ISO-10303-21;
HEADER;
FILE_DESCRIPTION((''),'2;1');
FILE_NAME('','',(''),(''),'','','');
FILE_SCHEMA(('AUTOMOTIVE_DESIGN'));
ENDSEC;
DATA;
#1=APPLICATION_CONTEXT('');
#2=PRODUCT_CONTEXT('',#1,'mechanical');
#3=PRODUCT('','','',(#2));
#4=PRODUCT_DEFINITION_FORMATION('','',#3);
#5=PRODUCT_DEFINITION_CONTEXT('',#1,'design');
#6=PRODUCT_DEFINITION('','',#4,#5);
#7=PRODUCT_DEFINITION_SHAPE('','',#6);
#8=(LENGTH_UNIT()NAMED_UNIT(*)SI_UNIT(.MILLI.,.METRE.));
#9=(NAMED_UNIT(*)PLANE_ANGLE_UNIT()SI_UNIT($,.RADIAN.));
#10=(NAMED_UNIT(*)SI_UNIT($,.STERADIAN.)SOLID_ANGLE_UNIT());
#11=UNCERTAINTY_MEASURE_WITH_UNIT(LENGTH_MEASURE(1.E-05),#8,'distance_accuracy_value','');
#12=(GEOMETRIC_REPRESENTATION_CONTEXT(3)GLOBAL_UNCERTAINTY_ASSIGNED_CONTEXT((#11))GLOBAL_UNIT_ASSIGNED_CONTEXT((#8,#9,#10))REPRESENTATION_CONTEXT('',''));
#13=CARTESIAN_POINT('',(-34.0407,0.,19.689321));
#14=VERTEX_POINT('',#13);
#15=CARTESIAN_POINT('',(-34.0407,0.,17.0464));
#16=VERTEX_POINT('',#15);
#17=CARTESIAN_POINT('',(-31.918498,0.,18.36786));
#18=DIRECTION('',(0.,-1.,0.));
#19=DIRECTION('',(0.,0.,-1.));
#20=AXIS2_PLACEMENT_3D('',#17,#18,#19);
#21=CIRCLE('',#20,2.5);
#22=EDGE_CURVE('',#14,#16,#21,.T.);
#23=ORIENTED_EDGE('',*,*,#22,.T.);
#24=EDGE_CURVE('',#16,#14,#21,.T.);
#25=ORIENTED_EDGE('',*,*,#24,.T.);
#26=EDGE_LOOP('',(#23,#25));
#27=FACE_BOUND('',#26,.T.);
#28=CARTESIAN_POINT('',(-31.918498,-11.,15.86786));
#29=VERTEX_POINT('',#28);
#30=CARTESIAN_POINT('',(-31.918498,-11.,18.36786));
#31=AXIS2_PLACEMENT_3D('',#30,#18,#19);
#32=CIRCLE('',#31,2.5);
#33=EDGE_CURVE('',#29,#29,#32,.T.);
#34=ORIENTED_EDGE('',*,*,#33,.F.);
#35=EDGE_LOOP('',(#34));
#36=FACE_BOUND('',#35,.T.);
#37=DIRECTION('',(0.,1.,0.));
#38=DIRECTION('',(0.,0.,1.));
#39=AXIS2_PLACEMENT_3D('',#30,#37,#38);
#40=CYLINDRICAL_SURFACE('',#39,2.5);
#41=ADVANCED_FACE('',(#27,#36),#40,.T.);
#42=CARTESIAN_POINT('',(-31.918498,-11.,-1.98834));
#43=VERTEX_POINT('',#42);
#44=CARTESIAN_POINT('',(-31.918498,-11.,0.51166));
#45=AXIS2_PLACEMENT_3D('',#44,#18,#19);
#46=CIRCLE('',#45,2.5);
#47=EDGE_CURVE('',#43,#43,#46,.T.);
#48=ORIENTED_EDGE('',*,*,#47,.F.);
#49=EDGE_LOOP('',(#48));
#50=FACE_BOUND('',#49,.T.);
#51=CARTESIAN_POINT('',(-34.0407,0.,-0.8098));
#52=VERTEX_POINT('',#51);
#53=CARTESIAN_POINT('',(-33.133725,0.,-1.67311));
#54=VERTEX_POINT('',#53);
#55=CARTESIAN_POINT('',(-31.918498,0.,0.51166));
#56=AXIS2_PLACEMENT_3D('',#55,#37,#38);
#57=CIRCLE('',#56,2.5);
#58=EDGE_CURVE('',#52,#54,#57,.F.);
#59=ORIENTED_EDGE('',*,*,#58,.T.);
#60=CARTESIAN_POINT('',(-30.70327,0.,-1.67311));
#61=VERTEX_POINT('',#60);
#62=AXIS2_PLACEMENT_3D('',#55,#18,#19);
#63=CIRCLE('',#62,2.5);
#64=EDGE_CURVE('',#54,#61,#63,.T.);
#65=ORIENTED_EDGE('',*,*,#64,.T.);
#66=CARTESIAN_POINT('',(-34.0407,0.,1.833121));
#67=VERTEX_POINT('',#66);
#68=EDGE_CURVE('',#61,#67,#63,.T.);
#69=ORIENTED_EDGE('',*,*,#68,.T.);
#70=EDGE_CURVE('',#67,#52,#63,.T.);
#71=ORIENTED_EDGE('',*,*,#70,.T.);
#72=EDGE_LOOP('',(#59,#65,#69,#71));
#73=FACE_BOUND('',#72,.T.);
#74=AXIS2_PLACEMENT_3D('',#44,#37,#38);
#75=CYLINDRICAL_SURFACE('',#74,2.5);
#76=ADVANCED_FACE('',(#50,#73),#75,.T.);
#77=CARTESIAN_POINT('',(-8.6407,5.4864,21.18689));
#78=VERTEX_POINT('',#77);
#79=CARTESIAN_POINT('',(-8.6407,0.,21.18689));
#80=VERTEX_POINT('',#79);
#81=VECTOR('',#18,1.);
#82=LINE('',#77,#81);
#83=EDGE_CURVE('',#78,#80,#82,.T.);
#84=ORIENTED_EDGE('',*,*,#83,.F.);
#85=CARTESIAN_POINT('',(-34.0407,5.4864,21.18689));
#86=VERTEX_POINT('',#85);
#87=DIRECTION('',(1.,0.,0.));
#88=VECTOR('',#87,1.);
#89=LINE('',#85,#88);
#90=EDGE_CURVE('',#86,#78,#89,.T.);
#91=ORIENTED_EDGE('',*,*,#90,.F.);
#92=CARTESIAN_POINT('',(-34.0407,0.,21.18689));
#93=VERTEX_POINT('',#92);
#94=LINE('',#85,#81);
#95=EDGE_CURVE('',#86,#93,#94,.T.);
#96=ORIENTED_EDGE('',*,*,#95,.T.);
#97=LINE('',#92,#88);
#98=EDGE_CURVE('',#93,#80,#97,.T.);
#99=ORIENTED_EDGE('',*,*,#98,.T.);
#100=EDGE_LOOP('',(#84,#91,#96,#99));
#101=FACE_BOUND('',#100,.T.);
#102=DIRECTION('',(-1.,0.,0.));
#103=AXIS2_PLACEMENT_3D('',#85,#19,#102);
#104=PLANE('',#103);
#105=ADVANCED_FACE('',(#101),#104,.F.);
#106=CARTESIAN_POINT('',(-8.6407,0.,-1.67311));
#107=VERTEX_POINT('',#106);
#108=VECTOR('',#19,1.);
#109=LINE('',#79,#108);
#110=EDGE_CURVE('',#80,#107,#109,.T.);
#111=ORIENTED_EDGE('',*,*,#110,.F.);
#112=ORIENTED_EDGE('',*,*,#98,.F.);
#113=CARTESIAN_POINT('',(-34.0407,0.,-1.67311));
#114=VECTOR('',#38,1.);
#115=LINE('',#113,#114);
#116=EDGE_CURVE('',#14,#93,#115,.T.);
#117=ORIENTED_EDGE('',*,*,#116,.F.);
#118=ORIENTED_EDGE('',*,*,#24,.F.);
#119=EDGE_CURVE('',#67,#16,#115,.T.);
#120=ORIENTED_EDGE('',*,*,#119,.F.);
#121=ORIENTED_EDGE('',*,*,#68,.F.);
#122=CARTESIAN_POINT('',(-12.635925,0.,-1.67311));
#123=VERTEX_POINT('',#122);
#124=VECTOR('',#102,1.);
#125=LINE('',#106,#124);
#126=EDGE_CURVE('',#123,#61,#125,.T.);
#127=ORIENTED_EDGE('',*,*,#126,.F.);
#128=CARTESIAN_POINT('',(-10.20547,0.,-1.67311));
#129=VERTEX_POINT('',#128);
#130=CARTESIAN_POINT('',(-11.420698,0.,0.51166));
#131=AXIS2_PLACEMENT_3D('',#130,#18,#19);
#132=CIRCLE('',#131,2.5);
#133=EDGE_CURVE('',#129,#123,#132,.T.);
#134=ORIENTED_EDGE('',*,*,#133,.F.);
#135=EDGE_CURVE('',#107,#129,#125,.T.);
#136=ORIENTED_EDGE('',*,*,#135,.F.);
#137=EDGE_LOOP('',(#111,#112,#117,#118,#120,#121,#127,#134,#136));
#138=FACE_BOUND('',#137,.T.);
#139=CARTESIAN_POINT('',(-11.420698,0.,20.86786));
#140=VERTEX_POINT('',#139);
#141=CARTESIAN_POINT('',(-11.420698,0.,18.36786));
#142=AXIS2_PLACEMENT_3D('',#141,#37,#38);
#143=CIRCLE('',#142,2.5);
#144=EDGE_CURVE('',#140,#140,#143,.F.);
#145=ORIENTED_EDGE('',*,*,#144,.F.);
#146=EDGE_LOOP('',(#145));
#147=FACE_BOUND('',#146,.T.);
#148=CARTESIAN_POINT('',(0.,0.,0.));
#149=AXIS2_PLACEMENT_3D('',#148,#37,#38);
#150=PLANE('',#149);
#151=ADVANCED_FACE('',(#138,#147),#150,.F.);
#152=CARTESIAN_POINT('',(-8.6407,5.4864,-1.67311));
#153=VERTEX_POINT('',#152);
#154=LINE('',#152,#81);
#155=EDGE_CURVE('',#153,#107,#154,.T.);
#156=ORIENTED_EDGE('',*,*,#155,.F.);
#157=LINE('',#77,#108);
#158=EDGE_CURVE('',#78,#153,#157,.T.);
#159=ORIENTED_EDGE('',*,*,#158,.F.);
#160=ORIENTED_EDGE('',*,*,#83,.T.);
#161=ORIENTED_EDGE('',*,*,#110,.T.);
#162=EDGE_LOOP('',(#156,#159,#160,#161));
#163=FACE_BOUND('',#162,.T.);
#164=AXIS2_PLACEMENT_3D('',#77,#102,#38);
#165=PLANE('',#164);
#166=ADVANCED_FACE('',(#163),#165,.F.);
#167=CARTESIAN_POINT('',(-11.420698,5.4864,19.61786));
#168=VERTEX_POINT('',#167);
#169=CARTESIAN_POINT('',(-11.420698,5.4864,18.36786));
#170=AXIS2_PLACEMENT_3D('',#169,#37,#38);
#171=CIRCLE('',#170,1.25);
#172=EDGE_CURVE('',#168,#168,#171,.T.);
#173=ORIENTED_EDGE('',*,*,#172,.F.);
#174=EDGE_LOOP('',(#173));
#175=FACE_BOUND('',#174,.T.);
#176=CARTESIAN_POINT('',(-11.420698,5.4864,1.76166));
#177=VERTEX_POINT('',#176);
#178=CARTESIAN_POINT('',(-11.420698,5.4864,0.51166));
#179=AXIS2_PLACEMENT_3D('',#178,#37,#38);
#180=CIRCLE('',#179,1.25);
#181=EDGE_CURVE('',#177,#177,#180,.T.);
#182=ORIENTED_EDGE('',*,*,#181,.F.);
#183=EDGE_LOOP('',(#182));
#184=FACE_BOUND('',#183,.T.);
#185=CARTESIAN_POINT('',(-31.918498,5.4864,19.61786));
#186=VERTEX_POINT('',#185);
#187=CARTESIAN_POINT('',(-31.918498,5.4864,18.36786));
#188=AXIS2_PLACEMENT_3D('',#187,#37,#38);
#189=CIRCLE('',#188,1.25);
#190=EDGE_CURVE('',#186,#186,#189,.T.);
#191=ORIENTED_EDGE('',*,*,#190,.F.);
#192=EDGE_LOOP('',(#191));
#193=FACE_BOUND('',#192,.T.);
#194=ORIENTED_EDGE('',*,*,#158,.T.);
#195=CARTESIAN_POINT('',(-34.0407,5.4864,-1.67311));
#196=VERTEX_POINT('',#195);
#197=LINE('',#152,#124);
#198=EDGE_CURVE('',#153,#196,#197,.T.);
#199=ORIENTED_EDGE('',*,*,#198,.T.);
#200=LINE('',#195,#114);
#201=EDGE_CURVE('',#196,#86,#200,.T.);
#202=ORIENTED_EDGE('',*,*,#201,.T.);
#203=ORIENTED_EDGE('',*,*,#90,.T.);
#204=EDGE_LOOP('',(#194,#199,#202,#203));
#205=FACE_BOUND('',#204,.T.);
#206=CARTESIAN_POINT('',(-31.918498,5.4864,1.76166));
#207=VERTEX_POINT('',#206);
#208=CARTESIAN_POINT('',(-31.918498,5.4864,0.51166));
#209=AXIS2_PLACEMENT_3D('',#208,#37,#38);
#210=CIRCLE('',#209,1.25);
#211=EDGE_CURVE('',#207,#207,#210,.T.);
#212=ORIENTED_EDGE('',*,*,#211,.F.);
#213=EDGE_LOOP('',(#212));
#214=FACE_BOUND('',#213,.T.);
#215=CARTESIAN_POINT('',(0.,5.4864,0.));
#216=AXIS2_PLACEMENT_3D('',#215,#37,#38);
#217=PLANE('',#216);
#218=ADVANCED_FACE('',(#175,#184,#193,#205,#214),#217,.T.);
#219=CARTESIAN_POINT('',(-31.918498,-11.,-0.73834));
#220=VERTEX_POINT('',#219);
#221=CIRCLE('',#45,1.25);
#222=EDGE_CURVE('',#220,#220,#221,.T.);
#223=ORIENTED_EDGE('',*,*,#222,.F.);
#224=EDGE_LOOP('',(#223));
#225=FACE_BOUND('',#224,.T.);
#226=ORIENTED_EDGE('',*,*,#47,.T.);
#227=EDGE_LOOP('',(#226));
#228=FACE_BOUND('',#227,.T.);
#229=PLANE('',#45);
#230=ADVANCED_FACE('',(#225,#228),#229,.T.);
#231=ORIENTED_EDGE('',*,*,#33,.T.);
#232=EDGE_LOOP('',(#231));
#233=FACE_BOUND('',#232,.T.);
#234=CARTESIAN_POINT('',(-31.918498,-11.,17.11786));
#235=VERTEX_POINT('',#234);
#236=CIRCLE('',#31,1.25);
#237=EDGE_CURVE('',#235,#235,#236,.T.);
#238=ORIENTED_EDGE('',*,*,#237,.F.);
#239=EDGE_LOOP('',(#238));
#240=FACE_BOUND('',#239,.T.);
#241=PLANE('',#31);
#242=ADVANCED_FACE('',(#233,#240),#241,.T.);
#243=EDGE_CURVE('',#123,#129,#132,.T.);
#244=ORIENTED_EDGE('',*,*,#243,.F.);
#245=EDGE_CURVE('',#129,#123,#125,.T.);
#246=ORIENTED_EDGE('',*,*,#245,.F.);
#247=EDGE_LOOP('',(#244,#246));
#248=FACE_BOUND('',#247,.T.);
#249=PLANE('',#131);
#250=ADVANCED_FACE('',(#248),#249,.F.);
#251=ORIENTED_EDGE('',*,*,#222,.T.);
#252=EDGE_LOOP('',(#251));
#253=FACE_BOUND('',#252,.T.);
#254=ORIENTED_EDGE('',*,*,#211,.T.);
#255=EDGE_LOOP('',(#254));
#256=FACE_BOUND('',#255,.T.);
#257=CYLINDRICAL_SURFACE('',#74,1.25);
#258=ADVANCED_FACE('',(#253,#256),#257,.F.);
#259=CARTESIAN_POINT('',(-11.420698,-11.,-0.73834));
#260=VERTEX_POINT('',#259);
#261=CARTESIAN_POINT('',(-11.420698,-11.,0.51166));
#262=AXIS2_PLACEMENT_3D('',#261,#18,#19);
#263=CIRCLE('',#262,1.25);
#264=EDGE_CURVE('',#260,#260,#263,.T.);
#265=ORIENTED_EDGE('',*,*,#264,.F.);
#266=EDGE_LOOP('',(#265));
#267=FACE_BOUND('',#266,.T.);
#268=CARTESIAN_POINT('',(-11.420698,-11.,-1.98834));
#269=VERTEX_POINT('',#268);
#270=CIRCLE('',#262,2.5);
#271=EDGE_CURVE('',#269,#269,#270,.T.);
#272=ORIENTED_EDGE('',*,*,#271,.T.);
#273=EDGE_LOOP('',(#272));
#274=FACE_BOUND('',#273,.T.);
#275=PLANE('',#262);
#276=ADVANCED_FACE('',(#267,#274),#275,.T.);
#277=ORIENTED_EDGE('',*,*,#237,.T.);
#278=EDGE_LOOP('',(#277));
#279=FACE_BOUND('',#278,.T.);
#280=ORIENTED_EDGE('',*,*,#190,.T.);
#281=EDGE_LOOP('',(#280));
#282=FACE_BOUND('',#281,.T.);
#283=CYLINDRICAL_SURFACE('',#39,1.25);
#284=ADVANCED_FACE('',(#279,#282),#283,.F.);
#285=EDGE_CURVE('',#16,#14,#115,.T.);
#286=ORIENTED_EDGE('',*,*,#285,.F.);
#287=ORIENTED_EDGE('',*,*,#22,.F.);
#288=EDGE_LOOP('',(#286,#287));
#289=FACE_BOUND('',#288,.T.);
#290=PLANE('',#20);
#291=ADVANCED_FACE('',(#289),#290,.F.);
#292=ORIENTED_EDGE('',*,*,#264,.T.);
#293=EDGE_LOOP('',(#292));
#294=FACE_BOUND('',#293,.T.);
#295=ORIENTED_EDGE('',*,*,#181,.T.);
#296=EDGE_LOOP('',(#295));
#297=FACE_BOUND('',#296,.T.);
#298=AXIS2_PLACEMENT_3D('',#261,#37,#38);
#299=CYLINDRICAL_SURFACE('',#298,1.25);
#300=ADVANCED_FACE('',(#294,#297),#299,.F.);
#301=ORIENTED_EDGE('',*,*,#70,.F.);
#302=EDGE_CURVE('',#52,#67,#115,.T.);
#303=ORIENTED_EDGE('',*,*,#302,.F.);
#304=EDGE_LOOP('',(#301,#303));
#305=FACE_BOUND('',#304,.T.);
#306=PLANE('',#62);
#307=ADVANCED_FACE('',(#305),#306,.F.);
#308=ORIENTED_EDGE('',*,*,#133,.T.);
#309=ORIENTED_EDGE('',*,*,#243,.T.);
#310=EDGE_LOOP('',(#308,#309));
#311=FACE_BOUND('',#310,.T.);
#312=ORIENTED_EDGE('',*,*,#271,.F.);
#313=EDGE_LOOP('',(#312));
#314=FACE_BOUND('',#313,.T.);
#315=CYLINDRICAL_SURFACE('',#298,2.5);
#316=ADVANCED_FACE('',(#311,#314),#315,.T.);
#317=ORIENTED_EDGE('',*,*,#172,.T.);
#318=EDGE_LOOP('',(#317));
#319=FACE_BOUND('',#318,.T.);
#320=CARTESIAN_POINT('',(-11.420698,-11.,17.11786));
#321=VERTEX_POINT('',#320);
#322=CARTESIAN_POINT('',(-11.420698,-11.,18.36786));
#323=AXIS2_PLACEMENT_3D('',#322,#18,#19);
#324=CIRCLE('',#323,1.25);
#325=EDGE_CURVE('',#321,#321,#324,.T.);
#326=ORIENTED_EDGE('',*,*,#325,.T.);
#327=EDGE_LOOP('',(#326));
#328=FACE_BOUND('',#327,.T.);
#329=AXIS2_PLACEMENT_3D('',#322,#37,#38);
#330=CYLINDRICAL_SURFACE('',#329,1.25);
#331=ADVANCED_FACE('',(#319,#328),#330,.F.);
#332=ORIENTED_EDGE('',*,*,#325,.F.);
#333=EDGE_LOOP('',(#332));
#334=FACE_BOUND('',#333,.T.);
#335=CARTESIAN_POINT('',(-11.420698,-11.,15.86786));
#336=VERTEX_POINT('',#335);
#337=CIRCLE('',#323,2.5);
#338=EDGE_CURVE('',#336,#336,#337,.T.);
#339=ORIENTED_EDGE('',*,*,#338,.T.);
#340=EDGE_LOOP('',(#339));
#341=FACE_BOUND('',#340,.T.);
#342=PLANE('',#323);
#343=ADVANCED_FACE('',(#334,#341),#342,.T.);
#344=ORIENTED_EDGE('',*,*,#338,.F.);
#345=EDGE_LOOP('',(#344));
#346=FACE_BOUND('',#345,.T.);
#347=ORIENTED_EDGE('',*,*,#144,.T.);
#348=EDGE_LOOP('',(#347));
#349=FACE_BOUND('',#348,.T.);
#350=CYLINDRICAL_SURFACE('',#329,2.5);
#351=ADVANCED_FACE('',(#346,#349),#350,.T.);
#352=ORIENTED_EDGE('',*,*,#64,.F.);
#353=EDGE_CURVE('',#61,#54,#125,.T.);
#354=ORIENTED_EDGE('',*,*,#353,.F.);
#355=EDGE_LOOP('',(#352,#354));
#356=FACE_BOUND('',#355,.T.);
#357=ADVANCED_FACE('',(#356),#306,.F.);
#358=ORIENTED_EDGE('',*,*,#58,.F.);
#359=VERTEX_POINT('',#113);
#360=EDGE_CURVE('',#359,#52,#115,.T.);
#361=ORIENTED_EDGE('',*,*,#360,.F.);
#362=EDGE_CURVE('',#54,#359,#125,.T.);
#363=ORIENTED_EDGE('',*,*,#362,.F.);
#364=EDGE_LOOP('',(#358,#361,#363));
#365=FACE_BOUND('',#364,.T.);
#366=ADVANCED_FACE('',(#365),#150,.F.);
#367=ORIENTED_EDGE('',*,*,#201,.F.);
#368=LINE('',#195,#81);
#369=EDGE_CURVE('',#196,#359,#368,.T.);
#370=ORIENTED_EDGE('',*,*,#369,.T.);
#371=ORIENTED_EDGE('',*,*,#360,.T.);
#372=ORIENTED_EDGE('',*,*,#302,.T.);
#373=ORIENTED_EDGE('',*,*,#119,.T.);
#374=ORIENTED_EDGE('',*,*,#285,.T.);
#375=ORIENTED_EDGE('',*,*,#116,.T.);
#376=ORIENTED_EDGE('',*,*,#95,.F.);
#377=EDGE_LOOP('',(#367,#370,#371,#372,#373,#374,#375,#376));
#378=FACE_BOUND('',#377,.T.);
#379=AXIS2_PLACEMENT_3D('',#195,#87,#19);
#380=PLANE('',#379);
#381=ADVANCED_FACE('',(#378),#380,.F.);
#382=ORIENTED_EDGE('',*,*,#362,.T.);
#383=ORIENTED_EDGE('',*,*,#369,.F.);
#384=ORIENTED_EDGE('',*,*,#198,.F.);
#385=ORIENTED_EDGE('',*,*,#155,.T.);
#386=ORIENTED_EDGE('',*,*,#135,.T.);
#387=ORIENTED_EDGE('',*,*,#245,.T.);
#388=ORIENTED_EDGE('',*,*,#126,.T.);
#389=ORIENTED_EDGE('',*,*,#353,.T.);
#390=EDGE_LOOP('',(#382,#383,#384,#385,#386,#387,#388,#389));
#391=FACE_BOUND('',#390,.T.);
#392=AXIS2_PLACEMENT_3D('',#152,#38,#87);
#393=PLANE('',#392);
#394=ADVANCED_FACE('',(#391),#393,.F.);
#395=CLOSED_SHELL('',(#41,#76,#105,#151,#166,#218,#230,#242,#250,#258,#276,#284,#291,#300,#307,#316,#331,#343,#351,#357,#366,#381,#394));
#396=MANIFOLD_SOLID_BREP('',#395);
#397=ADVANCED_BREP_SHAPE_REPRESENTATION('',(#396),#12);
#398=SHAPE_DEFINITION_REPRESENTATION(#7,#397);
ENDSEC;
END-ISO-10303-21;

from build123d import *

# Parameters (mm, degrees)
SKETCH1_W               = 25.4
SKETCH1_H               = 22.86
BOSS_EXTRUDE1_DEPTH     = 5.4864
SKETCH2_R               = 2.5
SKETCH2_R_2             = 1.25
BOSS_EXTRUDE2_DEPTH     = 11
SKETCH5_R               = 1.25
CUT_EXTRUDE1_DEPTH      = 1
CUT_EXTRUDE1_DEPTH_BACK = 17.4864


with BuildPart() as part:
    # Sketch1 → Boss-Extrude1 (new body)
    with BuildSketch(Plane(origin=(0, 0, 0), x_dir=(1, 0, 0), z_dir=(0, 1, 0))):
        with Locations((-21.340699551, -9.756889686)):
            Rectangle(SKETCH1_W, SKETCH1_H)
    extrude(amount=BOSS_EXTRUDE1_DEPTH)

    # Sketch2 → Boss-Extrude2 (add)
    with BuildSketch(Plane.XZ):
        with Locations((-31.918497565, 18.367860399)):
            Circle(SKETCH2_R)
        with Locations((-31.918497565, 18.367860399)):
            Circle(SKETCH2_R_2, mode=Mode.SUBTRACT)
        with Locations((-31.918497565, 0.511660399)):
            Circle(SKETCH2_R)
        with Locations((-31.918497565, 0.511660399)):
            Circle(SKETCH2_R_2, mode=Mode.SUBTRACT)
        with Locations((-11.420697565, 0.511660399)):
            Circle(SKETCH2_R)
        with Locations((-11.420697565, 0.511660399)):
            Circle(SKETCH2_R_2, mode=Mode.SUBTRACT)
        with Locations((-11.420697565, 18.367860399)):
            Circle(SKETCH2_R)
        with Locations((-11.420697565, 18.367860399)):
            Circle(SKETCH2_R_2, mode=Mode.SUBTRACT)
    extrude(amount=BOSS_EXTRUDE2_DEPTH)

    # Sketch5 → Cut-Extrude1 (cut, two sides)
    with BuildSketch(Plane(origin=(0, 5.4864, 0), x_dir=(1, 0, 0), z_dir=(0, 1, 0))) as cut_extrude1_sk:
        with Locations((-31.918497565, -0.511660399)):
            Circle(SKETCH5_R)
        with Locations((-11.420697565, -0.511660399)):
            Circle(SKETCH5_R)
        with Locations((-11.420697565, -18.367860399)):
            Circle(SKETCH5_R)
        with Locations((-31.918497565, -18.367860399)):
            Circle(SKETCH5_R)
    extrude(amount=CUT_EXTRUDE1_DEPTH, mode=Mode.SUBTRACT)
    extrude(cut_extrude1_sk.sketch, amount=-CUT_EXTRUDE1_DEPTH_BACK, mode=Mode.SUBTRACT)


solid = part.part
